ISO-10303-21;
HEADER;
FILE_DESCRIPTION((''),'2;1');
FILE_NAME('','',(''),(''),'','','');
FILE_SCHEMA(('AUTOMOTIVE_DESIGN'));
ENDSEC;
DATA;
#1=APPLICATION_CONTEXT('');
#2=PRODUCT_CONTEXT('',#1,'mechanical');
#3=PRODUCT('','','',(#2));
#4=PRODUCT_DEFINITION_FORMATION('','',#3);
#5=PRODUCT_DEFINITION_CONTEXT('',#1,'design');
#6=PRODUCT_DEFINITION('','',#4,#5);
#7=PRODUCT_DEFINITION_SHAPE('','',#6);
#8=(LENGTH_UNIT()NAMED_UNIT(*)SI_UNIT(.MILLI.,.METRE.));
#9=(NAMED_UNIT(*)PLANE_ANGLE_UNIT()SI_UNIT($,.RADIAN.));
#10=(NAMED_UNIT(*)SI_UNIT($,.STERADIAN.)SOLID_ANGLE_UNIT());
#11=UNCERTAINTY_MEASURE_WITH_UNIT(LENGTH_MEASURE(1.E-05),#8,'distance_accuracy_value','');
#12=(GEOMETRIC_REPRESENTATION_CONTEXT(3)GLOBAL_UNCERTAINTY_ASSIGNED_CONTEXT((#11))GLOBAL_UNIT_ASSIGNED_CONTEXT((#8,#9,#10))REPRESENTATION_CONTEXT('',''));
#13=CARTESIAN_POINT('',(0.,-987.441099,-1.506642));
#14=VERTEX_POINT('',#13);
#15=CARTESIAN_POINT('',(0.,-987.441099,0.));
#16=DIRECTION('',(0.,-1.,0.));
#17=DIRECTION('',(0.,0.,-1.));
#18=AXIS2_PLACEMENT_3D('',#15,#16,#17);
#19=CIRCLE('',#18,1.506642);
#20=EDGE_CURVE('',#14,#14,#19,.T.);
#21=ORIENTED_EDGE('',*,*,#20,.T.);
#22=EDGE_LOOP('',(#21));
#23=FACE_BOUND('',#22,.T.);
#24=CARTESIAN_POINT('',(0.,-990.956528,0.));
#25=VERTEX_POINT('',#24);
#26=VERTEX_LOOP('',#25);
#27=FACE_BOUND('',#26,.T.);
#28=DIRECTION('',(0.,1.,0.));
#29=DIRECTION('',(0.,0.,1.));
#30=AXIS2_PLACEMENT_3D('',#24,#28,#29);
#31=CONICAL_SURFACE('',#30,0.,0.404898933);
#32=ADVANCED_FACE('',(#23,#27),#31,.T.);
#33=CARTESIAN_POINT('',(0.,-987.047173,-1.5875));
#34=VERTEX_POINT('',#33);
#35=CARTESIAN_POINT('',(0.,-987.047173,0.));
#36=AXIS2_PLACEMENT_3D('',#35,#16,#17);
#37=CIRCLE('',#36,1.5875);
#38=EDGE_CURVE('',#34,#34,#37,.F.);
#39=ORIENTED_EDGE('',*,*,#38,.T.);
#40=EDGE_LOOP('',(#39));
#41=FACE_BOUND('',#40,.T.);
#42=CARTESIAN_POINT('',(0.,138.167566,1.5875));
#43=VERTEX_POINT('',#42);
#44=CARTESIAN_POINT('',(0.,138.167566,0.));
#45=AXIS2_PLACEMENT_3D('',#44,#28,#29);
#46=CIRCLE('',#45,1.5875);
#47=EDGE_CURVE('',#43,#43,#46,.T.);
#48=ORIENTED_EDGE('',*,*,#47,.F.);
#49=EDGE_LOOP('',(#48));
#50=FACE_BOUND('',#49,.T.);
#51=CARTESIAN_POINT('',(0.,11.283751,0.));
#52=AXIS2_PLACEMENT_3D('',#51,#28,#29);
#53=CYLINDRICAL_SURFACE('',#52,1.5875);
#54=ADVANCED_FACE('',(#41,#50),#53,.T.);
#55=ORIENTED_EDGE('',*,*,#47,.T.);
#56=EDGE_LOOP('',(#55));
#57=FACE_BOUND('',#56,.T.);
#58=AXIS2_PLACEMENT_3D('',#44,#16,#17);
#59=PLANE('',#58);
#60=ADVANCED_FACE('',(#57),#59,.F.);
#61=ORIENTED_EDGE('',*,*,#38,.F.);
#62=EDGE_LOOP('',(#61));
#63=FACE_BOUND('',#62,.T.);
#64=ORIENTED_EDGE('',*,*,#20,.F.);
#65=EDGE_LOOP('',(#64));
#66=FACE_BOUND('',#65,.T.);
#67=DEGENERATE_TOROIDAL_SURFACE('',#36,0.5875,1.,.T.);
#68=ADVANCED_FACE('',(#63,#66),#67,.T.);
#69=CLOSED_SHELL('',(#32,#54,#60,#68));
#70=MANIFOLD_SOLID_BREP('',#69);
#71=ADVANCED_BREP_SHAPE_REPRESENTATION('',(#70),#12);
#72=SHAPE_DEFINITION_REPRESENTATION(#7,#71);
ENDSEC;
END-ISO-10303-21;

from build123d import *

# Parameters (mm, degrees)
REDONDEO1_R = 1


with BuildPart() as part:
    # Croquis1 → Revolución1 (revolve)
    with BuildSketch(Plane.XY):
        Polygon((0, 138.167565896), (1.5875, 138.167565896), (1.5875, -987.252434104), (0, -990.956527655), align=None)
    revolve(axis=Axis((0, 11.283751348, 0), (0, -1, 0)))

    # Redondeo1
    redondeo1_edges = [part.edges().sort_by_distance(p)[0] for p in [
        (-1.5875, -987.252434104, 0),
    ]]
    fillet(redondeo1_edges, radius=REDONDEO1_R)


solid = part.part
